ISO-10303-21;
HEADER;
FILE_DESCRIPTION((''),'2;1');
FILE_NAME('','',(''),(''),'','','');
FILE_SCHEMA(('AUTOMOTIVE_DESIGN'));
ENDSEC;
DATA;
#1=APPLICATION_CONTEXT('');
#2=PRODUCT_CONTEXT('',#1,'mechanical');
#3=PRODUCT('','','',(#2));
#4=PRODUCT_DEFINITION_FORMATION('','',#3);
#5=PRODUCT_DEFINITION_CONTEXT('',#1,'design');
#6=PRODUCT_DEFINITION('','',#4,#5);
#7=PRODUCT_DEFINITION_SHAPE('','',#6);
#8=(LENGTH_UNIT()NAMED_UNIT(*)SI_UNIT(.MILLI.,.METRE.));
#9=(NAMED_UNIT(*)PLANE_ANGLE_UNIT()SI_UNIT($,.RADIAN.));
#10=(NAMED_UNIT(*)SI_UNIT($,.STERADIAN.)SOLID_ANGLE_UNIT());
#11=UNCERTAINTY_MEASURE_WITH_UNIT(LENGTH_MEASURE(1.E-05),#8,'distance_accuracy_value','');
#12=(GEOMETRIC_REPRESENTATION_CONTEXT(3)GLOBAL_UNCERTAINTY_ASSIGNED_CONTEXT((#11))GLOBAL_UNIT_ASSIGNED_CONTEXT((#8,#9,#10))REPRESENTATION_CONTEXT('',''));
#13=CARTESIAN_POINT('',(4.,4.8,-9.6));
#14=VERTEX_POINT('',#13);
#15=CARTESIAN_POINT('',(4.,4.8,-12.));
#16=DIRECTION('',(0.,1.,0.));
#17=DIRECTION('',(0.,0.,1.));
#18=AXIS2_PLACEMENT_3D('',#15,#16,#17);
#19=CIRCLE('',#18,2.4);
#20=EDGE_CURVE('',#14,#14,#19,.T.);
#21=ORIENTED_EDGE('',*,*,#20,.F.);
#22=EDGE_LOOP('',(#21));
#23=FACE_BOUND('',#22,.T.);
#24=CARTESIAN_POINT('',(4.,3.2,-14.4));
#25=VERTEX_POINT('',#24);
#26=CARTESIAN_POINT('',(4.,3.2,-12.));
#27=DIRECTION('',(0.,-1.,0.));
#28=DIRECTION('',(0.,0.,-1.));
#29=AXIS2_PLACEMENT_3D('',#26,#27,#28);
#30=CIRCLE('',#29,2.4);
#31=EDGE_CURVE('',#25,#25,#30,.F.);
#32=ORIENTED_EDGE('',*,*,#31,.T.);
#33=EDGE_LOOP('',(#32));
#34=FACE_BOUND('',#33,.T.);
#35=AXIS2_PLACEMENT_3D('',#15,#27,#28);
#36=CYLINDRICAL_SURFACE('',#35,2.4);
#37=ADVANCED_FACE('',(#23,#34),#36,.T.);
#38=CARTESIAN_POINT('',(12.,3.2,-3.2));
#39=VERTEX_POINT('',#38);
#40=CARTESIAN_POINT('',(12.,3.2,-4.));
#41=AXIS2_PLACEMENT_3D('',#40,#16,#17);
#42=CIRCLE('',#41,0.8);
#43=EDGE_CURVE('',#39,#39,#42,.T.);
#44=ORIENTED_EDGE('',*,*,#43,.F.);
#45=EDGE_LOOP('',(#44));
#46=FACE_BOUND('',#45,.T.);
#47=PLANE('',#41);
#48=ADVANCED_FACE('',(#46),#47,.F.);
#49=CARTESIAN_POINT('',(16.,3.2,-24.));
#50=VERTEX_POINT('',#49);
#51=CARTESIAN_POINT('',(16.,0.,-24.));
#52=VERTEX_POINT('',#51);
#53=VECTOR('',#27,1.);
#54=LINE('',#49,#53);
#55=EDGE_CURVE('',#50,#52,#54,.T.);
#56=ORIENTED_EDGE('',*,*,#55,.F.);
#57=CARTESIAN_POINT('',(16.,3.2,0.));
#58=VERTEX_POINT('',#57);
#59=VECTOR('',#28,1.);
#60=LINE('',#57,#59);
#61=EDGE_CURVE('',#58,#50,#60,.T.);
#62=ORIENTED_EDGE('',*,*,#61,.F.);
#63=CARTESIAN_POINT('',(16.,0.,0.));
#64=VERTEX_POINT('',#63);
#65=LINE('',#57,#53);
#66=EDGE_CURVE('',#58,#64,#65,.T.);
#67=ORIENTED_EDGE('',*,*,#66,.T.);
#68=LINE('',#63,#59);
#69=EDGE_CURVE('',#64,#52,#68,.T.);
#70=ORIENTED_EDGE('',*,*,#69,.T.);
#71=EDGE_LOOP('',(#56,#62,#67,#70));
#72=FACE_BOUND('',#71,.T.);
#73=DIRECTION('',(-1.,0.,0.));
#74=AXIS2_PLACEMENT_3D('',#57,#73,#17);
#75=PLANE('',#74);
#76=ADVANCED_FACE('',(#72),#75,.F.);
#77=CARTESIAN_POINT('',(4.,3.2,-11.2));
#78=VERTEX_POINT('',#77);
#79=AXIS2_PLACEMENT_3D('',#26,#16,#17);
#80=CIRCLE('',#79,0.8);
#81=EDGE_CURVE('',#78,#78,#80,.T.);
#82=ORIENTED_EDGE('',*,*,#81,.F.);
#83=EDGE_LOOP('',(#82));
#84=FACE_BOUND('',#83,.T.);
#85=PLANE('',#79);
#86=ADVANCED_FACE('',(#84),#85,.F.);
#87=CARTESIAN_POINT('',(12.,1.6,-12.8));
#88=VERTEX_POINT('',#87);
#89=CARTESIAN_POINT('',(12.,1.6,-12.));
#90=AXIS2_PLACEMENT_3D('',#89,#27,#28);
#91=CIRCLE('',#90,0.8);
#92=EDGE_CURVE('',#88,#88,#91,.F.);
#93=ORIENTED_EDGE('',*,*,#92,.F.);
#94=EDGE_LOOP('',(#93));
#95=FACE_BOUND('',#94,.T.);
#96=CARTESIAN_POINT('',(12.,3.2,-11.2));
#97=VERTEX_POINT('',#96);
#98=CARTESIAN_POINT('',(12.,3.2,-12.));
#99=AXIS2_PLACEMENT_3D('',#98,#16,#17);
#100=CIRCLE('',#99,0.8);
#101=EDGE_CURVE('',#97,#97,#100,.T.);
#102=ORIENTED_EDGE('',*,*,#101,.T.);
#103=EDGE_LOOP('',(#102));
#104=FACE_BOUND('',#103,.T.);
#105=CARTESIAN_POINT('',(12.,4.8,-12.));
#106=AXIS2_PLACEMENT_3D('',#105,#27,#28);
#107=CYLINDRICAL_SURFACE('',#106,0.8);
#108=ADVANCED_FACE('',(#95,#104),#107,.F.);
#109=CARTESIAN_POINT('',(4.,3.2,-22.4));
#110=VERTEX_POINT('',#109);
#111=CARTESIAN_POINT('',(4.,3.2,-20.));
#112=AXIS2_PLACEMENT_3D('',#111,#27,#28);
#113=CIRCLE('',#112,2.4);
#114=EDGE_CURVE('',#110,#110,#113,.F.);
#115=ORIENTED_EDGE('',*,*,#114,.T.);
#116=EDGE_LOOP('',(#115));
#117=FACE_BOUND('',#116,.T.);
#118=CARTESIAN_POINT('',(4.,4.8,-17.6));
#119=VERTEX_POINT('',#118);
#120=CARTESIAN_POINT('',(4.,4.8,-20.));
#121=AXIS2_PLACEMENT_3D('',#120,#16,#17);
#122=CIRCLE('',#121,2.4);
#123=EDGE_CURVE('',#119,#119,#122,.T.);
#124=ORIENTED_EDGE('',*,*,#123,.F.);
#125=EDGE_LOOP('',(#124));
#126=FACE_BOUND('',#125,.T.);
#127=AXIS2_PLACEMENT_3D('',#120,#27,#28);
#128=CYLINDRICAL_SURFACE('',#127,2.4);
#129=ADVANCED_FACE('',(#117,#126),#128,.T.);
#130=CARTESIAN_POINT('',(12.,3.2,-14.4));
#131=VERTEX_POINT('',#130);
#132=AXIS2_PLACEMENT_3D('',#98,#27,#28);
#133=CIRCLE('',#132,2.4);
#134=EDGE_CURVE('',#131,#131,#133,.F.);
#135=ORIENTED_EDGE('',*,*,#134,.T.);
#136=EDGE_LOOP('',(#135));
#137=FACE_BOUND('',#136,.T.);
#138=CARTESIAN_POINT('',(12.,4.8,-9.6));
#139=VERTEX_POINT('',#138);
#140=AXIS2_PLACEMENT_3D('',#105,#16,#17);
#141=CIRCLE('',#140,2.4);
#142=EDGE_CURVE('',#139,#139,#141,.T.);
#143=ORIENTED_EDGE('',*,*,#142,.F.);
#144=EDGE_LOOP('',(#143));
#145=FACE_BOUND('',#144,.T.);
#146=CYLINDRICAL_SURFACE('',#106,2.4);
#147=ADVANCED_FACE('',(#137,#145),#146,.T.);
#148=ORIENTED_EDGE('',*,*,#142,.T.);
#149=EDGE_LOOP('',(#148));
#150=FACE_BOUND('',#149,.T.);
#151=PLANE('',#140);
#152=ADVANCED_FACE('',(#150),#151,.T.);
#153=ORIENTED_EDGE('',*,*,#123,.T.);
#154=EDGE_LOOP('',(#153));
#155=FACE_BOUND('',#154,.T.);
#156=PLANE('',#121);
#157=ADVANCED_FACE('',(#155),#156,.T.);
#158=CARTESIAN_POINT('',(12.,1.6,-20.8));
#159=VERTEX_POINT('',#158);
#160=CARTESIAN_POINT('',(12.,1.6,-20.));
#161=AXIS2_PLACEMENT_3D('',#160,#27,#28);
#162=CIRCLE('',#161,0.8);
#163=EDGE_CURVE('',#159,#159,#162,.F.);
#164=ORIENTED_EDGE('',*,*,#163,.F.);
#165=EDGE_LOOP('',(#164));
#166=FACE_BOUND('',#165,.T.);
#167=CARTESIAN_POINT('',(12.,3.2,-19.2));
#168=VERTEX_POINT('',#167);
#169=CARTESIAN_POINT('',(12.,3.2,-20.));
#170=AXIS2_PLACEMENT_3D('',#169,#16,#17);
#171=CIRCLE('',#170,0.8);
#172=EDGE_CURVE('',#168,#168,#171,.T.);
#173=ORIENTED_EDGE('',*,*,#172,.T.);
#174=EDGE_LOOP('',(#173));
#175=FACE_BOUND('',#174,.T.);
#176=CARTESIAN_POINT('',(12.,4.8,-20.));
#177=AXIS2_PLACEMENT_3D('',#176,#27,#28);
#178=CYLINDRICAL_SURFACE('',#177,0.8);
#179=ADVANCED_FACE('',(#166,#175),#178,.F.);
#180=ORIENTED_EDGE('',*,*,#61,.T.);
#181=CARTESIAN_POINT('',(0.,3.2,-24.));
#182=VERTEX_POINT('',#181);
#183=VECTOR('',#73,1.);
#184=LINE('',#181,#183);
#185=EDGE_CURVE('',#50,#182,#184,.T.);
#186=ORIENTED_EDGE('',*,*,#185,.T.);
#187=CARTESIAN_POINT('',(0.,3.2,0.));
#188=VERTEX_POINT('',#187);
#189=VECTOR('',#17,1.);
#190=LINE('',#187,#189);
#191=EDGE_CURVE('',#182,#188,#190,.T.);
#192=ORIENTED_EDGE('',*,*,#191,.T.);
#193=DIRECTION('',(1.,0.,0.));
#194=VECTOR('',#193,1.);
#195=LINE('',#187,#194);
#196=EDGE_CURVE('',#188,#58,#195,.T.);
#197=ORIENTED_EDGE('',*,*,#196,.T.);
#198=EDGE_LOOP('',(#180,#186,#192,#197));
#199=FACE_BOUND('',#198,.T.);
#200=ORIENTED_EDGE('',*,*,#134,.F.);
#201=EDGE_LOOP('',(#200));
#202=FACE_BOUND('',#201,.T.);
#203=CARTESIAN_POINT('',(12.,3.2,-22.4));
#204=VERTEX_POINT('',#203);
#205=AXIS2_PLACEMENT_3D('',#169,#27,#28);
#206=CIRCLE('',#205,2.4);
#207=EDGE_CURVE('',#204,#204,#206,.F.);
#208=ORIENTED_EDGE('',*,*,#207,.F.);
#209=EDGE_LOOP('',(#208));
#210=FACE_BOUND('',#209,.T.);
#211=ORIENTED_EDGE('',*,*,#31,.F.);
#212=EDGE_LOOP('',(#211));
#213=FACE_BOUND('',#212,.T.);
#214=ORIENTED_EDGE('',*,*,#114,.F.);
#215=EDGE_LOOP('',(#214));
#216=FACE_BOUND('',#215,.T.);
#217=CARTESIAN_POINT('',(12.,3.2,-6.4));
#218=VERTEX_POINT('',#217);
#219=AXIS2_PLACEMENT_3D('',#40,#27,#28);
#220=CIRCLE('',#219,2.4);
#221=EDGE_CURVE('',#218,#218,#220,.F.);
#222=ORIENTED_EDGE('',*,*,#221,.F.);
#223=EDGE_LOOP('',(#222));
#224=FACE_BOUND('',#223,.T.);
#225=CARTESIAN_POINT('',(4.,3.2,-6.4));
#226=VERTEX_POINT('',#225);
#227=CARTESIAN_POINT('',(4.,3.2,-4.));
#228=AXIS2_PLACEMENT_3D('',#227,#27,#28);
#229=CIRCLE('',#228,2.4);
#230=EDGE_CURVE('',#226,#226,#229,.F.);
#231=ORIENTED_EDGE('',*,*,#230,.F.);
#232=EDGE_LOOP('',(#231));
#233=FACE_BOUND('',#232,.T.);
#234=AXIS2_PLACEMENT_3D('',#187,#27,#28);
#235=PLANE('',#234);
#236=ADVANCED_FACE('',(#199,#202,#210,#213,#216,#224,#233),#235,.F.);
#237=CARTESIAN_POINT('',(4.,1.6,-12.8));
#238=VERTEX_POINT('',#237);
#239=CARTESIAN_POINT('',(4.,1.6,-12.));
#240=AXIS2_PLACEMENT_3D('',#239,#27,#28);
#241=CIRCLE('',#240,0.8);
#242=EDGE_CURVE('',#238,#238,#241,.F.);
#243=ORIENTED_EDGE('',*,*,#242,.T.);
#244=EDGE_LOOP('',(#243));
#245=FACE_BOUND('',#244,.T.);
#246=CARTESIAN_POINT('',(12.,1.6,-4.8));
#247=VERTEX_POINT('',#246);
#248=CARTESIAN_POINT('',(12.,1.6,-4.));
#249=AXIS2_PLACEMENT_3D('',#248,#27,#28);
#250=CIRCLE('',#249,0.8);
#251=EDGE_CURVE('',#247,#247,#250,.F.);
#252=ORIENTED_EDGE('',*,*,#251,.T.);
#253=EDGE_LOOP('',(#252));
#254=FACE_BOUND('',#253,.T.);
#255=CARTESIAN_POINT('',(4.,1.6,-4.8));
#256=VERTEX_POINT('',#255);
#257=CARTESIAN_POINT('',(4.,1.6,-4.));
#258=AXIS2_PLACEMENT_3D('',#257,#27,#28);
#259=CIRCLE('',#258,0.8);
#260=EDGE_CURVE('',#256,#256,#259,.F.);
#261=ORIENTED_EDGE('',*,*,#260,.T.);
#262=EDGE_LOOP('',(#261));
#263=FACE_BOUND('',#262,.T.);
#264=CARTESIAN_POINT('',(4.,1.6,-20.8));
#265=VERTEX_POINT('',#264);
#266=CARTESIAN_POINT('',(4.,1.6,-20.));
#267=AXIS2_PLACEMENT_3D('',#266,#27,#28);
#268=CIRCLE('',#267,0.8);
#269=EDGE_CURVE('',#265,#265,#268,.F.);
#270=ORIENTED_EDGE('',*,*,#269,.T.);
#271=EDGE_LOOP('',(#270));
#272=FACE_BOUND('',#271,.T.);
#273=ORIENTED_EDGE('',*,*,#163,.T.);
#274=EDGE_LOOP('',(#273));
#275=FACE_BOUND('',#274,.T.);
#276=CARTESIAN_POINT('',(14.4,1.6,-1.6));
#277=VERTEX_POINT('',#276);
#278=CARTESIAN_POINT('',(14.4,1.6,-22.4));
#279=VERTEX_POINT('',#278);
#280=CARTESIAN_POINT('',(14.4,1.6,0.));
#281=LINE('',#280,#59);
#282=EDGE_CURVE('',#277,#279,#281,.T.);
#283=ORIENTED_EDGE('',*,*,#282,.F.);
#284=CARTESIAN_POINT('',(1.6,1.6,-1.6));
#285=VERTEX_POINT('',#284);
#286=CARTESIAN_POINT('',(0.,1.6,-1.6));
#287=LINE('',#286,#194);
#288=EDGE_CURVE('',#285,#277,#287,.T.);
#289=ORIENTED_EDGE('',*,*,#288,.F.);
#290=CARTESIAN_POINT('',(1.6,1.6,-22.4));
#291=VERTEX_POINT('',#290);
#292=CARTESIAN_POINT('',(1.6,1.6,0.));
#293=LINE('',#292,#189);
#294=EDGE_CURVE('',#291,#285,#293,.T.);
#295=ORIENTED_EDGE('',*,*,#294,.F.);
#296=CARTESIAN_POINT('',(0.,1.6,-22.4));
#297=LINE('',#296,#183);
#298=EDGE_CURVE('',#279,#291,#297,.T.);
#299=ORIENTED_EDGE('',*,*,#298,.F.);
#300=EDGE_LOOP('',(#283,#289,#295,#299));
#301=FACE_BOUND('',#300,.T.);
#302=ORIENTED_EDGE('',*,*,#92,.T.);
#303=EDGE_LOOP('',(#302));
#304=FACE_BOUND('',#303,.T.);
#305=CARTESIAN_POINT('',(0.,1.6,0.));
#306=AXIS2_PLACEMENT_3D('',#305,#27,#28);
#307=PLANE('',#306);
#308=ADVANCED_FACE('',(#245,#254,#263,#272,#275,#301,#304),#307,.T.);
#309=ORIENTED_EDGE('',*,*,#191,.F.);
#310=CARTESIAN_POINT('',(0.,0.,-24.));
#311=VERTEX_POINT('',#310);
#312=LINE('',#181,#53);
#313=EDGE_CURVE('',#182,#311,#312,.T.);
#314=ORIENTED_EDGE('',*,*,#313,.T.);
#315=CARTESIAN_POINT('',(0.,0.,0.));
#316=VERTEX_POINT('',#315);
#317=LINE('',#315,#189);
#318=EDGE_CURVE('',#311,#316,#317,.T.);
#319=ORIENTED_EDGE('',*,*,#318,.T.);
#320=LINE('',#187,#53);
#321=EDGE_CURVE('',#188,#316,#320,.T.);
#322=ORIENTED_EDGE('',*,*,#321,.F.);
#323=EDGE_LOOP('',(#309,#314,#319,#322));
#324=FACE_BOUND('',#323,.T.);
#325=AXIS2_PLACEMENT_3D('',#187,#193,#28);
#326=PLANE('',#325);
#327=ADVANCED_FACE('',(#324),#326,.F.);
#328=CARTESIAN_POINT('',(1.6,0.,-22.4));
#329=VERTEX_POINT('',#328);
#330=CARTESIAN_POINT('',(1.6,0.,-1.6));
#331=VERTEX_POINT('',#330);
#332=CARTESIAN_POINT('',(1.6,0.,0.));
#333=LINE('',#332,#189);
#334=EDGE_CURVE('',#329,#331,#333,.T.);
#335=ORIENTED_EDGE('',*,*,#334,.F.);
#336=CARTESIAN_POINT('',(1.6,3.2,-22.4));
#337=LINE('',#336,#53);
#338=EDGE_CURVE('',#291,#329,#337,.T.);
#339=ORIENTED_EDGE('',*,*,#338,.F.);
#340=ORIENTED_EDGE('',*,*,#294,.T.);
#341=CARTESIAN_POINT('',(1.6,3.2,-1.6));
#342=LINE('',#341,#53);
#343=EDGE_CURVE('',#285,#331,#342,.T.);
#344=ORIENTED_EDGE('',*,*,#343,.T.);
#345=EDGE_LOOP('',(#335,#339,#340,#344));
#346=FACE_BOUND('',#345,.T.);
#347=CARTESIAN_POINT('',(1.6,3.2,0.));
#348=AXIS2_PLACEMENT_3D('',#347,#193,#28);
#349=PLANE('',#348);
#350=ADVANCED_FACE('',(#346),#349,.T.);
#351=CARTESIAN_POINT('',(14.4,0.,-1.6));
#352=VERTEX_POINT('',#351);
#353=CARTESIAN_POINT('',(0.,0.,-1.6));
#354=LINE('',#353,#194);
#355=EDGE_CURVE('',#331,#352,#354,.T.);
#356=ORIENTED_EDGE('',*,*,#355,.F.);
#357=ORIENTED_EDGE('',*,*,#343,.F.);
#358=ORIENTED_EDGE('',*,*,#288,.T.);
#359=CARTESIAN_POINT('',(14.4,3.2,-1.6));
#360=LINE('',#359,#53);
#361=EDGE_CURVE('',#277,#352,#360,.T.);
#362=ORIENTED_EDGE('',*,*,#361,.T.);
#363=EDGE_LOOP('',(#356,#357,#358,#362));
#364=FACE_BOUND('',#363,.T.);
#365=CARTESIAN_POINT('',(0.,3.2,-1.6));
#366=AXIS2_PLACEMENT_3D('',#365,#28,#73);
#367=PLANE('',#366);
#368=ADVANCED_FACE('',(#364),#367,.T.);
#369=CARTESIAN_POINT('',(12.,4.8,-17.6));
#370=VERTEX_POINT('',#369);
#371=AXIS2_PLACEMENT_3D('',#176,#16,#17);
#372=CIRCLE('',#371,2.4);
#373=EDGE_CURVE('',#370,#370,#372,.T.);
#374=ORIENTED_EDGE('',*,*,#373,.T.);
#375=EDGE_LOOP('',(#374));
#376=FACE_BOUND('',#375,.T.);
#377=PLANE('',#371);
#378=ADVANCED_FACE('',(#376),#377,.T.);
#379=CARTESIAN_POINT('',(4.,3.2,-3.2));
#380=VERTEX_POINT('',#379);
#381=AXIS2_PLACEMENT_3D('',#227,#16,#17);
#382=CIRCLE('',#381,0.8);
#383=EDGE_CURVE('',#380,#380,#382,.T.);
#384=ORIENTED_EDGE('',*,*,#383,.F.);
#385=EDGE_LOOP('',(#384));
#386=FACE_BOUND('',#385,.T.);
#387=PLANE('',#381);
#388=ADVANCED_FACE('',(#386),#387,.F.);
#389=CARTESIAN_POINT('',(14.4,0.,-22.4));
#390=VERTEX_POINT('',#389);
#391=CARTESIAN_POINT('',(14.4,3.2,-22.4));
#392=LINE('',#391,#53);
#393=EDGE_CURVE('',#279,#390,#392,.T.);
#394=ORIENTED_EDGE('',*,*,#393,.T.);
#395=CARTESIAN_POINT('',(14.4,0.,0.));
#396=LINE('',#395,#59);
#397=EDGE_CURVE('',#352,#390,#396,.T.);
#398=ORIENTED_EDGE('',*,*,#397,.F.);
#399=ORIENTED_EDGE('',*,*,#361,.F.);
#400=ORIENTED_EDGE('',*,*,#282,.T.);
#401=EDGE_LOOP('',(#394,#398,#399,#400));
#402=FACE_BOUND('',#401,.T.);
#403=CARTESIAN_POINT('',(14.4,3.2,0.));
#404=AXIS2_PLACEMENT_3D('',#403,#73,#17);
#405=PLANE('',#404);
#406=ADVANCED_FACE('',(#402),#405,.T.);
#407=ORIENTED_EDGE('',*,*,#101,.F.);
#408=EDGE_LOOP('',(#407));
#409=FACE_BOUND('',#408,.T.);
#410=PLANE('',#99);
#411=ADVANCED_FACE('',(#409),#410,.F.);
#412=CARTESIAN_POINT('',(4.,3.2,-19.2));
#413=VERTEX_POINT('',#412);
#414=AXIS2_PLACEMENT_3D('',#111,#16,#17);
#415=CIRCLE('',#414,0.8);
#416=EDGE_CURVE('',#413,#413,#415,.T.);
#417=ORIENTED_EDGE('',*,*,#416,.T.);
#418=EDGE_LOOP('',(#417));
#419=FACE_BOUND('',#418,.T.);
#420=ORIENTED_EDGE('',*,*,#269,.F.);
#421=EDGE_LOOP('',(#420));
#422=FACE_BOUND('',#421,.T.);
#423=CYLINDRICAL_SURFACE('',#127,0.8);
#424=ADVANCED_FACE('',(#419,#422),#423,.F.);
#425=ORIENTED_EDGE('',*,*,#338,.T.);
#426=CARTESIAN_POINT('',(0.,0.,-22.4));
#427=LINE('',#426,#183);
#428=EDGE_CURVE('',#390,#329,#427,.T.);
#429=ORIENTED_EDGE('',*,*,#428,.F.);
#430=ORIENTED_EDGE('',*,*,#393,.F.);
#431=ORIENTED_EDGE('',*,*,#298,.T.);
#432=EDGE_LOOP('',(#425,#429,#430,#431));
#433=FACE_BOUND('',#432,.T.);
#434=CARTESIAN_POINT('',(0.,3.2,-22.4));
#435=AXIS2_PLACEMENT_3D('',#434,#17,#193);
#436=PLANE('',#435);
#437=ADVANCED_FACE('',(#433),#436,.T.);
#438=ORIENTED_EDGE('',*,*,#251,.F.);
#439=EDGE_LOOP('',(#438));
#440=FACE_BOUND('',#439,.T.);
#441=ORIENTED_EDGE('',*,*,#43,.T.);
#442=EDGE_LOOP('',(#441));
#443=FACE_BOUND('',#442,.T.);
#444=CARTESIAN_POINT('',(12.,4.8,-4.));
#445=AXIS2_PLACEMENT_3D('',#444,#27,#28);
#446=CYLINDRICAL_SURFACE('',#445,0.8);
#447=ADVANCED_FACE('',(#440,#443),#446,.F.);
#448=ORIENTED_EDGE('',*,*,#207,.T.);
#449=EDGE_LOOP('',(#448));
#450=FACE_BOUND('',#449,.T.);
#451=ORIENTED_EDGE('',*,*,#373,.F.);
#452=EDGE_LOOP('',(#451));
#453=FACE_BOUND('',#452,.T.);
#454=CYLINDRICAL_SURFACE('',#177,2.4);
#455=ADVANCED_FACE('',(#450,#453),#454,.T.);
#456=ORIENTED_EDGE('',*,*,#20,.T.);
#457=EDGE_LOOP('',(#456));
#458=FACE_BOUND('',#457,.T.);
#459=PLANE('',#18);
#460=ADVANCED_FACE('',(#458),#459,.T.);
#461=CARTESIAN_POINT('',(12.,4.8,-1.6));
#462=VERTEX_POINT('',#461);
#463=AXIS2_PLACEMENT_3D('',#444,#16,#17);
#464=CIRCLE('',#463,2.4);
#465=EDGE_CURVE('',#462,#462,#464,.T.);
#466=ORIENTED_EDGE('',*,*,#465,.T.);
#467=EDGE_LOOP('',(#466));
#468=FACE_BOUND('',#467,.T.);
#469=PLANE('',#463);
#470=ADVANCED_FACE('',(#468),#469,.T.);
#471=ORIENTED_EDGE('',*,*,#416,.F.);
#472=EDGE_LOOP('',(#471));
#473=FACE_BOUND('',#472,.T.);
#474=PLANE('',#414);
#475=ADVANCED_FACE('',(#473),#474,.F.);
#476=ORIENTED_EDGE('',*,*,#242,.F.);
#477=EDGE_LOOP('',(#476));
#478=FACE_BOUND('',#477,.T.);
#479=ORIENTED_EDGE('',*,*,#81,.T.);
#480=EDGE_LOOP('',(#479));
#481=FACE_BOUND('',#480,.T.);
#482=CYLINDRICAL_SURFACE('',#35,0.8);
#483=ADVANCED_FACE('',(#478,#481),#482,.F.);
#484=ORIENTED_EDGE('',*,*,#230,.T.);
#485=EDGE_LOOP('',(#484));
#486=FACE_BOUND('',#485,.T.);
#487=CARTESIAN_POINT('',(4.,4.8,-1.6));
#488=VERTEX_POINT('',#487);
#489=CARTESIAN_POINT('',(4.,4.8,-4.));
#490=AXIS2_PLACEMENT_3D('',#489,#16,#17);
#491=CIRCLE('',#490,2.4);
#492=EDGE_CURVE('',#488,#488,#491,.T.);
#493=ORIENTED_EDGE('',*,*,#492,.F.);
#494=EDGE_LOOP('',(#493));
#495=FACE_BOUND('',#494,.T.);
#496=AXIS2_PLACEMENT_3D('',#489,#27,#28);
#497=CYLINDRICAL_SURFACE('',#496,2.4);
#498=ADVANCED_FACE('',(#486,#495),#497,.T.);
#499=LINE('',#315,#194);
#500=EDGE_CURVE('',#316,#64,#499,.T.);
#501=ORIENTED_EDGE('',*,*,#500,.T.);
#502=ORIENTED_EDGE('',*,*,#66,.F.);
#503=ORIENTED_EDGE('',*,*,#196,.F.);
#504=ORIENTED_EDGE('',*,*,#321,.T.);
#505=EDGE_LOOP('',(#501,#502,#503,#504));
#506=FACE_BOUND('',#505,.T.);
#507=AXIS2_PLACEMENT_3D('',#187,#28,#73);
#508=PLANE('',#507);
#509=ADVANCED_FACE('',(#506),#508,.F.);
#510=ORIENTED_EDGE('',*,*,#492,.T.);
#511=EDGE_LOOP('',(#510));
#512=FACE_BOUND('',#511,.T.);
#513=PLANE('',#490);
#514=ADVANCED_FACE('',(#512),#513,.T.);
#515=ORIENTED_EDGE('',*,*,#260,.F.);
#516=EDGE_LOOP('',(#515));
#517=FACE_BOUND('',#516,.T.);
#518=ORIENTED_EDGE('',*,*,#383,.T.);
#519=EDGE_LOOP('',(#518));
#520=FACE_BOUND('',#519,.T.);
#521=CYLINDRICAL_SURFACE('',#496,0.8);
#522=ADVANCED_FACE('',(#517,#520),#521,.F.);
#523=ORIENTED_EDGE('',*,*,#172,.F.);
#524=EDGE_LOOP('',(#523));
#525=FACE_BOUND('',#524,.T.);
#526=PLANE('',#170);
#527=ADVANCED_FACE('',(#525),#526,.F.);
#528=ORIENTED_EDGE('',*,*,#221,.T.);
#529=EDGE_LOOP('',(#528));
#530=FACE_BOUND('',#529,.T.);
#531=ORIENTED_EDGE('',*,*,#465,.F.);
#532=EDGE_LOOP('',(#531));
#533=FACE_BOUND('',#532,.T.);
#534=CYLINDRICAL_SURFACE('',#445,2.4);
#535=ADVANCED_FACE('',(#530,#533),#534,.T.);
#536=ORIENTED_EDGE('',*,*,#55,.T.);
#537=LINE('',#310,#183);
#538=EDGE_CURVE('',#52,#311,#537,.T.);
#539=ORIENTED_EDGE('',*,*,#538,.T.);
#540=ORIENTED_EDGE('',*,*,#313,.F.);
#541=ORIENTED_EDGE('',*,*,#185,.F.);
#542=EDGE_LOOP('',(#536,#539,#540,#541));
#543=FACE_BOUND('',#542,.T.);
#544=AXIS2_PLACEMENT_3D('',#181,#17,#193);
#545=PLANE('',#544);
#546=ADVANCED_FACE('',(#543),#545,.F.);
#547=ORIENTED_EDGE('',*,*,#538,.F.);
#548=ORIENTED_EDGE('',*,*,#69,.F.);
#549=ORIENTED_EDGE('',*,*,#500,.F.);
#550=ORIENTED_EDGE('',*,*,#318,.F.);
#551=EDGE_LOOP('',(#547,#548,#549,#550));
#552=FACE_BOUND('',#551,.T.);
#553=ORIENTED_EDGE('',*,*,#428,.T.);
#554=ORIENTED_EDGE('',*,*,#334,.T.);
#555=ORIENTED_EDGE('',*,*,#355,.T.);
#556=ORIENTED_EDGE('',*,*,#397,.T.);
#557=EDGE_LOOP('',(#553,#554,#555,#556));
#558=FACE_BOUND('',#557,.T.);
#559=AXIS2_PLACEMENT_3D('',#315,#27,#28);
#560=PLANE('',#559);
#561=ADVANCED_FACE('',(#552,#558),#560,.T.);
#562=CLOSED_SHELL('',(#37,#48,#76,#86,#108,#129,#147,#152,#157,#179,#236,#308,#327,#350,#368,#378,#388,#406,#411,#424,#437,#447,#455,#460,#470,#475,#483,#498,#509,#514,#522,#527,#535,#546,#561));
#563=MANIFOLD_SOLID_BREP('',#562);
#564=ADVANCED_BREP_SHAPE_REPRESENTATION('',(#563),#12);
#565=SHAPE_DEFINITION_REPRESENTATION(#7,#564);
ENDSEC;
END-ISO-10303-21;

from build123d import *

# Parameters (mm, degrees)
SKETCH1_W            = 16
SKETCH1_H            = 24
BOSS_EXTRUDE1_DEPTH  = 3.2
SKETCH2_R            = 2.4
BOSS_EXTRUDE2_DEPTH  = 1.6
LPATTERN1_COUNT      = 2
LPATTERN1_PITCH      = 8
LPATTERN1_COUNT_DIR2 = 3
LPATTERN1_PITCH_DIR2 = 8
SHELL1_T             = -1.6


with BuildPart() as part:
    # Sketch1 → Boss-Extrude1 (new body)
    with BuildSketch(Plane(origin=(0, 0, 0), x_dir=(1, 0, 0), z_dir=(0, 1, 0))):
        with Locations((8, 12)):
            Rectangle(SKETCH1_W, SKETCH1_H)
    extrude(amount=BOSS_EXTRUDE1_DEPTH)

    # Sketch2 → Boss-Extrude2 (add)
    with BuildSketch(Plane(origin=(0, 3.2, 0), x_dir=(1, 0, 0), z_dir=(0, 1, 0))):
        with Locations(Location((12, 4, 0), (0, 0, 90))):
            Circle(SKETCH2_R)
    boss_extrude2 = extrude(amount=BOSS_EXTRUDE2_DEPTH)

    # LPattern1: Boss-Extrude2 2 × 3
    with Locations(*[(-i * LPATTERN1_PITCH, 0, -j * LPATTERN1_PITCH_DIR2) for i in range(LPATTERN1_COUNT) for j in range(LPATTERN1_COUNT_DIR2) if (i, j) != (0, 0)]):
        add(boss_extrude2)

    # Shell1
    shell1_openings = [part.faces().sort_by_distance(p)[0] for p in [
        (8, 0, -12),
    ]]
    offset(amount=SHELL1_T, openings=shell1_openings, kind=Kind.INTERSECTION)


solid = part.part
